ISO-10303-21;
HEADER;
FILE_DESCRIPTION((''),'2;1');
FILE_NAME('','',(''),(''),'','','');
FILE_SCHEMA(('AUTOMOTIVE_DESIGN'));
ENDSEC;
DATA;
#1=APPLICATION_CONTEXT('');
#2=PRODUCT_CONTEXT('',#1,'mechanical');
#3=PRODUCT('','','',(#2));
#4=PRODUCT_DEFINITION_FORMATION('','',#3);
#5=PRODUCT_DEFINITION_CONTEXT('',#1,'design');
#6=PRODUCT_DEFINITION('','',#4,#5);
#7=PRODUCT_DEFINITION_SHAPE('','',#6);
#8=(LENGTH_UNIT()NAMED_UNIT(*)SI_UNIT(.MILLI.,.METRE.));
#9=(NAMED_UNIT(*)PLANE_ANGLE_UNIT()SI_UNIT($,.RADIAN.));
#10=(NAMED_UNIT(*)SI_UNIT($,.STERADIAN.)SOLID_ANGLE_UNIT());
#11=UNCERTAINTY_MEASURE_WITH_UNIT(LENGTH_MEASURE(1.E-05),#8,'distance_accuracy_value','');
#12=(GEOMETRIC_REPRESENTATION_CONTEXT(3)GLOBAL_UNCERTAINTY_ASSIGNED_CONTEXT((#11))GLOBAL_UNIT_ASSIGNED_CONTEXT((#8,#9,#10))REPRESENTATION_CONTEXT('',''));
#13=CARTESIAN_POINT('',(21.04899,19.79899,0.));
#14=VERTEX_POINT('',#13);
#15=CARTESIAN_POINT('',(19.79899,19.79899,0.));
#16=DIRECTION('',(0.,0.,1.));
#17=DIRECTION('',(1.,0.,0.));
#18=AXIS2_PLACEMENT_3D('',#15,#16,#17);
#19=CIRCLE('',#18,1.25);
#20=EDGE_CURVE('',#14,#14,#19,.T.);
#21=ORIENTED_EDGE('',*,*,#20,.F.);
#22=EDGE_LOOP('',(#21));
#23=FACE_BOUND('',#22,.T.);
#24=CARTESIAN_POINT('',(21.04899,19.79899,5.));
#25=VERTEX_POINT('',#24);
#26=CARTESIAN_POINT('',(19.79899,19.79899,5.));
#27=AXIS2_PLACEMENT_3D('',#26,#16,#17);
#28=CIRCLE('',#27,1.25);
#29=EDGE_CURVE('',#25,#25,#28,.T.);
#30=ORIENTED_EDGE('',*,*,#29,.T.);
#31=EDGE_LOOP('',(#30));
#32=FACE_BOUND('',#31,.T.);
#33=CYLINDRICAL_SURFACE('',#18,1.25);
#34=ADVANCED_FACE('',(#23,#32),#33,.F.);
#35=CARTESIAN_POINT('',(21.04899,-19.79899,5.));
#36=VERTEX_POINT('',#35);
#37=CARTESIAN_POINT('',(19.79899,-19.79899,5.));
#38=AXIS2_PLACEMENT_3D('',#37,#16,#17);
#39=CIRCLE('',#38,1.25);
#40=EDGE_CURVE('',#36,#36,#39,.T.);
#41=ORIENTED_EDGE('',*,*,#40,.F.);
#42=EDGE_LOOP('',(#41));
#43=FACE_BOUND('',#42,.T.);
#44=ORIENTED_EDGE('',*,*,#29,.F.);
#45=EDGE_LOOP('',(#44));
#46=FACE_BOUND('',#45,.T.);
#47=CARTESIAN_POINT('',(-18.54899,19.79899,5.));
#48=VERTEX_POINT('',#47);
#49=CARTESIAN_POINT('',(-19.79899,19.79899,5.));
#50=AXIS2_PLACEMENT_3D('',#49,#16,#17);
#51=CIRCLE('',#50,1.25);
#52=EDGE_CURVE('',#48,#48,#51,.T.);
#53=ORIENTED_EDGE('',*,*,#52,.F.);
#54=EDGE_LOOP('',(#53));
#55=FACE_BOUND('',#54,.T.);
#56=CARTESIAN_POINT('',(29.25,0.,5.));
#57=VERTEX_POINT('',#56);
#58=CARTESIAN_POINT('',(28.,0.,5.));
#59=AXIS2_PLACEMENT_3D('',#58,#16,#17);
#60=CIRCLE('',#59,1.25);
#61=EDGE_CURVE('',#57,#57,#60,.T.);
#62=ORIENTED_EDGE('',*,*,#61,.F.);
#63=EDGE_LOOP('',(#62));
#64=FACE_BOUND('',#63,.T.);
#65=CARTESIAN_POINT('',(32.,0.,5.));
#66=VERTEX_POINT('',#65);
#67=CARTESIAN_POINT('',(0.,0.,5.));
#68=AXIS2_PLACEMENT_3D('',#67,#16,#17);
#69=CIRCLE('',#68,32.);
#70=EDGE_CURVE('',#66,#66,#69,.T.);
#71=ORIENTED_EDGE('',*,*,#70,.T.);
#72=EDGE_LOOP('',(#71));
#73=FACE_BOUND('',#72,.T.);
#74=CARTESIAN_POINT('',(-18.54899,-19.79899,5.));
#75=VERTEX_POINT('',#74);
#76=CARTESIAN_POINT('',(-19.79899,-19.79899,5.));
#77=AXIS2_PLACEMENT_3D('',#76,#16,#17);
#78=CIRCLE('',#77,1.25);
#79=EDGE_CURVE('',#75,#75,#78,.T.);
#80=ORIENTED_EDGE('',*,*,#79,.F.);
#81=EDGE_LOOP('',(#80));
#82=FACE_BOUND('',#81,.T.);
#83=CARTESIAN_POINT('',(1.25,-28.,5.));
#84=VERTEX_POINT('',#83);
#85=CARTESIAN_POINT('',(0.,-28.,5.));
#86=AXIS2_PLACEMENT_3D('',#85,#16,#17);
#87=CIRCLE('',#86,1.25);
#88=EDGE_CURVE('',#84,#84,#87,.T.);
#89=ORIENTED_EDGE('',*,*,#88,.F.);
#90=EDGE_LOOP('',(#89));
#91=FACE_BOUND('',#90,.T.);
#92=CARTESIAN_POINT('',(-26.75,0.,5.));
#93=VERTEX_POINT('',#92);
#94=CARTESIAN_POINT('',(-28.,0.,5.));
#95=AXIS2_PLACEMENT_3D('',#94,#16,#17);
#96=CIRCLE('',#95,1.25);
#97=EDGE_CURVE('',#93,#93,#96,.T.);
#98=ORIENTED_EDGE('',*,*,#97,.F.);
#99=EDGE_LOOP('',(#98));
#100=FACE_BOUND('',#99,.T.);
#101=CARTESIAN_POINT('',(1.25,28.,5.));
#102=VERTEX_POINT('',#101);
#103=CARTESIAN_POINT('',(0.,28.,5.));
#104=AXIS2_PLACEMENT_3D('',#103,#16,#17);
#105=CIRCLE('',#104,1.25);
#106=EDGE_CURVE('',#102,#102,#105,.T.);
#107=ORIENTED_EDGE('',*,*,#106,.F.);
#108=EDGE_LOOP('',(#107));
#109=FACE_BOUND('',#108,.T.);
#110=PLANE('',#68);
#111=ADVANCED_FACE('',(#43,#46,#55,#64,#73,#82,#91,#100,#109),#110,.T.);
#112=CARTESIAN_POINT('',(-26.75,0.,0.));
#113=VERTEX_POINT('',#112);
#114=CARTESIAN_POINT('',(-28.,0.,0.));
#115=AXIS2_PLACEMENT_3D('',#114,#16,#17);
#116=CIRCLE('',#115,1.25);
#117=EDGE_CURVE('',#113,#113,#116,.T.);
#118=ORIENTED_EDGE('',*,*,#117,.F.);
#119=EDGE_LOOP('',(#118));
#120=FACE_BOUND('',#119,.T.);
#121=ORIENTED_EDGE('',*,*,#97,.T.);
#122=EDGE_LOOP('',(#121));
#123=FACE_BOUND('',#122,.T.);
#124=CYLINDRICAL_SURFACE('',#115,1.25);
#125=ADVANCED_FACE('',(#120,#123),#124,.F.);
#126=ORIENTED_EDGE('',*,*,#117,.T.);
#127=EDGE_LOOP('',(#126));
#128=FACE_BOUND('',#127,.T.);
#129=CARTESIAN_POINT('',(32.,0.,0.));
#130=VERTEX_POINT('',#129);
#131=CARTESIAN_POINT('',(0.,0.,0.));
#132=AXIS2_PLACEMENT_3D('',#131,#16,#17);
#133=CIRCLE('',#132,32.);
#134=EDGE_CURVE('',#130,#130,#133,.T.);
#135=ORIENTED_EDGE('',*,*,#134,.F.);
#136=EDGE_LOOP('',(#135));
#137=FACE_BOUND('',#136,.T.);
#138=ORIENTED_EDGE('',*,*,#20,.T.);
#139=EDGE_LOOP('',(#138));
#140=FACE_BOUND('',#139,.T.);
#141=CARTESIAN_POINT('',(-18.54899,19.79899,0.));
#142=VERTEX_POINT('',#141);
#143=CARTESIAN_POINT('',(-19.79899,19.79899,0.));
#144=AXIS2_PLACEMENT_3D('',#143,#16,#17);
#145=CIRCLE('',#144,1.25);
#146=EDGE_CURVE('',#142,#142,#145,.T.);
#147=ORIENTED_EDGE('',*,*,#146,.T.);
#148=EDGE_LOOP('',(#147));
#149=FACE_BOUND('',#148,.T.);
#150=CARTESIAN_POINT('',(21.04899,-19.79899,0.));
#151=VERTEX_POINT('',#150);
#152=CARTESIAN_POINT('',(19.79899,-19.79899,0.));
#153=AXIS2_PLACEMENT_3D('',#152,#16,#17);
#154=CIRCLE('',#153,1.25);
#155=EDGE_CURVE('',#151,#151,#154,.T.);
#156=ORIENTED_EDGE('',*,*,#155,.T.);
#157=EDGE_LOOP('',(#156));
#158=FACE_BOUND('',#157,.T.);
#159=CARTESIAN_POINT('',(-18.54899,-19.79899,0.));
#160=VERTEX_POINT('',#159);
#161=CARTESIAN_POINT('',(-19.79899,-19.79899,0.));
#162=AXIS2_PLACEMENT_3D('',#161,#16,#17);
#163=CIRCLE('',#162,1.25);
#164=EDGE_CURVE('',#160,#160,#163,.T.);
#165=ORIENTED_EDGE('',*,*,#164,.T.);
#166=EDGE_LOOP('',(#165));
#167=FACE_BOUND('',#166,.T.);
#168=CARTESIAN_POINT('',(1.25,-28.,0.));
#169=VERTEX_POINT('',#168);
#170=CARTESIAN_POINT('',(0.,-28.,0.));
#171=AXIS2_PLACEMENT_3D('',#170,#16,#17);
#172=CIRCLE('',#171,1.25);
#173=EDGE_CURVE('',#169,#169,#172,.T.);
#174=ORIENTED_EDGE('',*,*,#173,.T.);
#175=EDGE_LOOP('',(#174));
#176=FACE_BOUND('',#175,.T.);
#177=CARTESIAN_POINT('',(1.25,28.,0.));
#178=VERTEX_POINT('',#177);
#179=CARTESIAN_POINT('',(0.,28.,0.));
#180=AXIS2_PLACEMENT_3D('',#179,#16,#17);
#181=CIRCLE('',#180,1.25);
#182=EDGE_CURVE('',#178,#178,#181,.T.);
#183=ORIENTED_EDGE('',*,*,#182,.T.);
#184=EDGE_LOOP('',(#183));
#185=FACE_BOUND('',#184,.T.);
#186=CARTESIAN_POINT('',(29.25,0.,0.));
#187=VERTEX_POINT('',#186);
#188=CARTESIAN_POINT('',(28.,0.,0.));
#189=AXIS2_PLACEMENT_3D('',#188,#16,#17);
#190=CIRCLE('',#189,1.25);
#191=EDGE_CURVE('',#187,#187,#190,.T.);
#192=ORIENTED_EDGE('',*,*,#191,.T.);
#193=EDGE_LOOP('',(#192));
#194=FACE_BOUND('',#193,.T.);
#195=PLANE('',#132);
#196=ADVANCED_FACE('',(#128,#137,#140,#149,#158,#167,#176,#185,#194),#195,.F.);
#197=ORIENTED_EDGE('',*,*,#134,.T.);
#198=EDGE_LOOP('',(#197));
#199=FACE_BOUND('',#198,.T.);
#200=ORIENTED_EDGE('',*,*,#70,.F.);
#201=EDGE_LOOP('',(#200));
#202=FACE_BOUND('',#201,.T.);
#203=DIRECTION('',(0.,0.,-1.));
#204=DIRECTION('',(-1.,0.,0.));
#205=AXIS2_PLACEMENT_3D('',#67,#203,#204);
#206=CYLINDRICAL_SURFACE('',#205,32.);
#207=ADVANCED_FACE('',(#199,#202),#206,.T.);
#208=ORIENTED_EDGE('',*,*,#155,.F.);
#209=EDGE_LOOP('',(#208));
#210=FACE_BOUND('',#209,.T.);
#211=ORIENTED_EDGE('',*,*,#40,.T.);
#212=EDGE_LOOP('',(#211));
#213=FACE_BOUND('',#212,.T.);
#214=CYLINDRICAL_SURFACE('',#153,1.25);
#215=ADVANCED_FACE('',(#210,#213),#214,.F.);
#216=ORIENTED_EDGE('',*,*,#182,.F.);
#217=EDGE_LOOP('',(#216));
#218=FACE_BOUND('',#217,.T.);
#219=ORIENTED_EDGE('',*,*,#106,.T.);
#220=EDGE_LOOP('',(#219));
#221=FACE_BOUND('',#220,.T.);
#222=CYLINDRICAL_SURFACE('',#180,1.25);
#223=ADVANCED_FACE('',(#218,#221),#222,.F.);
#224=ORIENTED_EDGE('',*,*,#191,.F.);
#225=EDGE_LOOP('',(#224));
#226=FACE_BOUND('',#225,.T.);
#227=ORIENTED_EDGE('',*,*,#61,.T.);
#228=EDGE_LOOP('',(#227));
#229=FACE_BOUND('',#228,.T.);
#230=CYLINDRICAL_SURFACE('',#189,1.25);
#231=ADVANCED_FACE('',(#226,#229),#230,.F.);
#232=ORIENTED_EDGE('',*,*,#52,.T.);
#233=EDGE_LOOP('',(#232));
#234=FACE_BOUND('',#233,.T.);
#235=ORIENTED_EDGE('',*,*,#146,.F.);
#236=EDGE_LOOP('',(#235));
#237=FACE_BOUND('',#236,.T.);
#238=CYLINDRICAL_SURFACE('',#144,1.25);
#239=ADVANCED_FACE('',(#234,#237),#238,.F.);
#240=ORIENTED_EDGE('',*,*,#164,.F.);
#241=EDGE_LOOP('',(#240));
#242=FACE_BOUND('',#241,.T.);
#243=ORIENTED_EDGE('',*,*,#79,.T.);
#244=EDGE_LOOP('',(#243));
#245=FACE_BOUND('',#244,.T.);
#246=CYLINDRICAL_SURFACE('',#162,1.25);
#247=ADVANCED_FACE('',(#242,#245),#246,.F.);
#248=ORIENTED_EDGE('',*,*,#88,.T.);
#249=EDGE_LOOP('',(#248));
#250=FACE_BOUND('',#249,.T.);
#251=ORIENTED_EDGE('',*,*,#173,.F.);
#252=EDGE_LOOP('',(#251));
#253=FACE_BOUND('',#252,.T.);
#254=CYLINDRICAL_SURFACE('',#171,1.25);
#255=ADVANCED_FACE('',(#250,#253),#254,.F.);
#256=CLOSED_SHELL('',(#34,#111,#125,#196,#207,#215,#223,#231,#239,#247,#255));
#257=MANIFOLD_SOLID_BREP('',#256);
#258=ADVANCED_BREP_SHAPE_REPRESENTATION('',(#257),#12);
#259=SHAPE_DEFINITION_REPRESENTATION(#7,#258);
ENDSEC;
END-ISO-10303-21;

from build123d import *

# Parameters (mm, degrees)
CROQUIS1_R              = 32
SALIENTE_EXTRUIR1_DEPTH = 5
CROQUIS2_R              = 1.25
CORTAR_EXTRUIR1_DEPTH   = 46.530209751


with BuildPart() as part:
    # Croquis1 → Saliente-Extruir1 (new body)
    with BuildSketch(Plane.XY):
        Circle(CROQUIS1_R)
    extrude(amount=SALIENTE_EXTRUIR1_DEPTH)

    # Croquis2 → Cortar-Extruir1 (cut, through all)
    with BuildSketch(Plane.XY.offset(5)):
        with Locations((0, 28)):
            Circle(CROQUIS2_R)
        with Locations((19.798989873, 19.798989873)):
            Circle(CROQUIS2_R)
        with Locations((28, 0)):
            Circle(CROQUIS2_R)
        with Locations((19.798989873, -19.798989873)):
            Circle(CROQUIS2_R)
        with Locations((0, -28)):
            Circle(CROQUIS2_R)
        with Locations((-19.798989873, -19.798989873)):
            Circle(CROQUIS2_R)
        with Locations((-28, 0)):
            Circle(CROQUIS2_R)
        with Locations((-19.798989873, 19.798989873)):
            Circle(CROQUIS2_R)
    extrude(amount=-CORTAR_EXTRUIR1_DEPTH, mode=Mode.SUBTRACT)


solid = part.part
